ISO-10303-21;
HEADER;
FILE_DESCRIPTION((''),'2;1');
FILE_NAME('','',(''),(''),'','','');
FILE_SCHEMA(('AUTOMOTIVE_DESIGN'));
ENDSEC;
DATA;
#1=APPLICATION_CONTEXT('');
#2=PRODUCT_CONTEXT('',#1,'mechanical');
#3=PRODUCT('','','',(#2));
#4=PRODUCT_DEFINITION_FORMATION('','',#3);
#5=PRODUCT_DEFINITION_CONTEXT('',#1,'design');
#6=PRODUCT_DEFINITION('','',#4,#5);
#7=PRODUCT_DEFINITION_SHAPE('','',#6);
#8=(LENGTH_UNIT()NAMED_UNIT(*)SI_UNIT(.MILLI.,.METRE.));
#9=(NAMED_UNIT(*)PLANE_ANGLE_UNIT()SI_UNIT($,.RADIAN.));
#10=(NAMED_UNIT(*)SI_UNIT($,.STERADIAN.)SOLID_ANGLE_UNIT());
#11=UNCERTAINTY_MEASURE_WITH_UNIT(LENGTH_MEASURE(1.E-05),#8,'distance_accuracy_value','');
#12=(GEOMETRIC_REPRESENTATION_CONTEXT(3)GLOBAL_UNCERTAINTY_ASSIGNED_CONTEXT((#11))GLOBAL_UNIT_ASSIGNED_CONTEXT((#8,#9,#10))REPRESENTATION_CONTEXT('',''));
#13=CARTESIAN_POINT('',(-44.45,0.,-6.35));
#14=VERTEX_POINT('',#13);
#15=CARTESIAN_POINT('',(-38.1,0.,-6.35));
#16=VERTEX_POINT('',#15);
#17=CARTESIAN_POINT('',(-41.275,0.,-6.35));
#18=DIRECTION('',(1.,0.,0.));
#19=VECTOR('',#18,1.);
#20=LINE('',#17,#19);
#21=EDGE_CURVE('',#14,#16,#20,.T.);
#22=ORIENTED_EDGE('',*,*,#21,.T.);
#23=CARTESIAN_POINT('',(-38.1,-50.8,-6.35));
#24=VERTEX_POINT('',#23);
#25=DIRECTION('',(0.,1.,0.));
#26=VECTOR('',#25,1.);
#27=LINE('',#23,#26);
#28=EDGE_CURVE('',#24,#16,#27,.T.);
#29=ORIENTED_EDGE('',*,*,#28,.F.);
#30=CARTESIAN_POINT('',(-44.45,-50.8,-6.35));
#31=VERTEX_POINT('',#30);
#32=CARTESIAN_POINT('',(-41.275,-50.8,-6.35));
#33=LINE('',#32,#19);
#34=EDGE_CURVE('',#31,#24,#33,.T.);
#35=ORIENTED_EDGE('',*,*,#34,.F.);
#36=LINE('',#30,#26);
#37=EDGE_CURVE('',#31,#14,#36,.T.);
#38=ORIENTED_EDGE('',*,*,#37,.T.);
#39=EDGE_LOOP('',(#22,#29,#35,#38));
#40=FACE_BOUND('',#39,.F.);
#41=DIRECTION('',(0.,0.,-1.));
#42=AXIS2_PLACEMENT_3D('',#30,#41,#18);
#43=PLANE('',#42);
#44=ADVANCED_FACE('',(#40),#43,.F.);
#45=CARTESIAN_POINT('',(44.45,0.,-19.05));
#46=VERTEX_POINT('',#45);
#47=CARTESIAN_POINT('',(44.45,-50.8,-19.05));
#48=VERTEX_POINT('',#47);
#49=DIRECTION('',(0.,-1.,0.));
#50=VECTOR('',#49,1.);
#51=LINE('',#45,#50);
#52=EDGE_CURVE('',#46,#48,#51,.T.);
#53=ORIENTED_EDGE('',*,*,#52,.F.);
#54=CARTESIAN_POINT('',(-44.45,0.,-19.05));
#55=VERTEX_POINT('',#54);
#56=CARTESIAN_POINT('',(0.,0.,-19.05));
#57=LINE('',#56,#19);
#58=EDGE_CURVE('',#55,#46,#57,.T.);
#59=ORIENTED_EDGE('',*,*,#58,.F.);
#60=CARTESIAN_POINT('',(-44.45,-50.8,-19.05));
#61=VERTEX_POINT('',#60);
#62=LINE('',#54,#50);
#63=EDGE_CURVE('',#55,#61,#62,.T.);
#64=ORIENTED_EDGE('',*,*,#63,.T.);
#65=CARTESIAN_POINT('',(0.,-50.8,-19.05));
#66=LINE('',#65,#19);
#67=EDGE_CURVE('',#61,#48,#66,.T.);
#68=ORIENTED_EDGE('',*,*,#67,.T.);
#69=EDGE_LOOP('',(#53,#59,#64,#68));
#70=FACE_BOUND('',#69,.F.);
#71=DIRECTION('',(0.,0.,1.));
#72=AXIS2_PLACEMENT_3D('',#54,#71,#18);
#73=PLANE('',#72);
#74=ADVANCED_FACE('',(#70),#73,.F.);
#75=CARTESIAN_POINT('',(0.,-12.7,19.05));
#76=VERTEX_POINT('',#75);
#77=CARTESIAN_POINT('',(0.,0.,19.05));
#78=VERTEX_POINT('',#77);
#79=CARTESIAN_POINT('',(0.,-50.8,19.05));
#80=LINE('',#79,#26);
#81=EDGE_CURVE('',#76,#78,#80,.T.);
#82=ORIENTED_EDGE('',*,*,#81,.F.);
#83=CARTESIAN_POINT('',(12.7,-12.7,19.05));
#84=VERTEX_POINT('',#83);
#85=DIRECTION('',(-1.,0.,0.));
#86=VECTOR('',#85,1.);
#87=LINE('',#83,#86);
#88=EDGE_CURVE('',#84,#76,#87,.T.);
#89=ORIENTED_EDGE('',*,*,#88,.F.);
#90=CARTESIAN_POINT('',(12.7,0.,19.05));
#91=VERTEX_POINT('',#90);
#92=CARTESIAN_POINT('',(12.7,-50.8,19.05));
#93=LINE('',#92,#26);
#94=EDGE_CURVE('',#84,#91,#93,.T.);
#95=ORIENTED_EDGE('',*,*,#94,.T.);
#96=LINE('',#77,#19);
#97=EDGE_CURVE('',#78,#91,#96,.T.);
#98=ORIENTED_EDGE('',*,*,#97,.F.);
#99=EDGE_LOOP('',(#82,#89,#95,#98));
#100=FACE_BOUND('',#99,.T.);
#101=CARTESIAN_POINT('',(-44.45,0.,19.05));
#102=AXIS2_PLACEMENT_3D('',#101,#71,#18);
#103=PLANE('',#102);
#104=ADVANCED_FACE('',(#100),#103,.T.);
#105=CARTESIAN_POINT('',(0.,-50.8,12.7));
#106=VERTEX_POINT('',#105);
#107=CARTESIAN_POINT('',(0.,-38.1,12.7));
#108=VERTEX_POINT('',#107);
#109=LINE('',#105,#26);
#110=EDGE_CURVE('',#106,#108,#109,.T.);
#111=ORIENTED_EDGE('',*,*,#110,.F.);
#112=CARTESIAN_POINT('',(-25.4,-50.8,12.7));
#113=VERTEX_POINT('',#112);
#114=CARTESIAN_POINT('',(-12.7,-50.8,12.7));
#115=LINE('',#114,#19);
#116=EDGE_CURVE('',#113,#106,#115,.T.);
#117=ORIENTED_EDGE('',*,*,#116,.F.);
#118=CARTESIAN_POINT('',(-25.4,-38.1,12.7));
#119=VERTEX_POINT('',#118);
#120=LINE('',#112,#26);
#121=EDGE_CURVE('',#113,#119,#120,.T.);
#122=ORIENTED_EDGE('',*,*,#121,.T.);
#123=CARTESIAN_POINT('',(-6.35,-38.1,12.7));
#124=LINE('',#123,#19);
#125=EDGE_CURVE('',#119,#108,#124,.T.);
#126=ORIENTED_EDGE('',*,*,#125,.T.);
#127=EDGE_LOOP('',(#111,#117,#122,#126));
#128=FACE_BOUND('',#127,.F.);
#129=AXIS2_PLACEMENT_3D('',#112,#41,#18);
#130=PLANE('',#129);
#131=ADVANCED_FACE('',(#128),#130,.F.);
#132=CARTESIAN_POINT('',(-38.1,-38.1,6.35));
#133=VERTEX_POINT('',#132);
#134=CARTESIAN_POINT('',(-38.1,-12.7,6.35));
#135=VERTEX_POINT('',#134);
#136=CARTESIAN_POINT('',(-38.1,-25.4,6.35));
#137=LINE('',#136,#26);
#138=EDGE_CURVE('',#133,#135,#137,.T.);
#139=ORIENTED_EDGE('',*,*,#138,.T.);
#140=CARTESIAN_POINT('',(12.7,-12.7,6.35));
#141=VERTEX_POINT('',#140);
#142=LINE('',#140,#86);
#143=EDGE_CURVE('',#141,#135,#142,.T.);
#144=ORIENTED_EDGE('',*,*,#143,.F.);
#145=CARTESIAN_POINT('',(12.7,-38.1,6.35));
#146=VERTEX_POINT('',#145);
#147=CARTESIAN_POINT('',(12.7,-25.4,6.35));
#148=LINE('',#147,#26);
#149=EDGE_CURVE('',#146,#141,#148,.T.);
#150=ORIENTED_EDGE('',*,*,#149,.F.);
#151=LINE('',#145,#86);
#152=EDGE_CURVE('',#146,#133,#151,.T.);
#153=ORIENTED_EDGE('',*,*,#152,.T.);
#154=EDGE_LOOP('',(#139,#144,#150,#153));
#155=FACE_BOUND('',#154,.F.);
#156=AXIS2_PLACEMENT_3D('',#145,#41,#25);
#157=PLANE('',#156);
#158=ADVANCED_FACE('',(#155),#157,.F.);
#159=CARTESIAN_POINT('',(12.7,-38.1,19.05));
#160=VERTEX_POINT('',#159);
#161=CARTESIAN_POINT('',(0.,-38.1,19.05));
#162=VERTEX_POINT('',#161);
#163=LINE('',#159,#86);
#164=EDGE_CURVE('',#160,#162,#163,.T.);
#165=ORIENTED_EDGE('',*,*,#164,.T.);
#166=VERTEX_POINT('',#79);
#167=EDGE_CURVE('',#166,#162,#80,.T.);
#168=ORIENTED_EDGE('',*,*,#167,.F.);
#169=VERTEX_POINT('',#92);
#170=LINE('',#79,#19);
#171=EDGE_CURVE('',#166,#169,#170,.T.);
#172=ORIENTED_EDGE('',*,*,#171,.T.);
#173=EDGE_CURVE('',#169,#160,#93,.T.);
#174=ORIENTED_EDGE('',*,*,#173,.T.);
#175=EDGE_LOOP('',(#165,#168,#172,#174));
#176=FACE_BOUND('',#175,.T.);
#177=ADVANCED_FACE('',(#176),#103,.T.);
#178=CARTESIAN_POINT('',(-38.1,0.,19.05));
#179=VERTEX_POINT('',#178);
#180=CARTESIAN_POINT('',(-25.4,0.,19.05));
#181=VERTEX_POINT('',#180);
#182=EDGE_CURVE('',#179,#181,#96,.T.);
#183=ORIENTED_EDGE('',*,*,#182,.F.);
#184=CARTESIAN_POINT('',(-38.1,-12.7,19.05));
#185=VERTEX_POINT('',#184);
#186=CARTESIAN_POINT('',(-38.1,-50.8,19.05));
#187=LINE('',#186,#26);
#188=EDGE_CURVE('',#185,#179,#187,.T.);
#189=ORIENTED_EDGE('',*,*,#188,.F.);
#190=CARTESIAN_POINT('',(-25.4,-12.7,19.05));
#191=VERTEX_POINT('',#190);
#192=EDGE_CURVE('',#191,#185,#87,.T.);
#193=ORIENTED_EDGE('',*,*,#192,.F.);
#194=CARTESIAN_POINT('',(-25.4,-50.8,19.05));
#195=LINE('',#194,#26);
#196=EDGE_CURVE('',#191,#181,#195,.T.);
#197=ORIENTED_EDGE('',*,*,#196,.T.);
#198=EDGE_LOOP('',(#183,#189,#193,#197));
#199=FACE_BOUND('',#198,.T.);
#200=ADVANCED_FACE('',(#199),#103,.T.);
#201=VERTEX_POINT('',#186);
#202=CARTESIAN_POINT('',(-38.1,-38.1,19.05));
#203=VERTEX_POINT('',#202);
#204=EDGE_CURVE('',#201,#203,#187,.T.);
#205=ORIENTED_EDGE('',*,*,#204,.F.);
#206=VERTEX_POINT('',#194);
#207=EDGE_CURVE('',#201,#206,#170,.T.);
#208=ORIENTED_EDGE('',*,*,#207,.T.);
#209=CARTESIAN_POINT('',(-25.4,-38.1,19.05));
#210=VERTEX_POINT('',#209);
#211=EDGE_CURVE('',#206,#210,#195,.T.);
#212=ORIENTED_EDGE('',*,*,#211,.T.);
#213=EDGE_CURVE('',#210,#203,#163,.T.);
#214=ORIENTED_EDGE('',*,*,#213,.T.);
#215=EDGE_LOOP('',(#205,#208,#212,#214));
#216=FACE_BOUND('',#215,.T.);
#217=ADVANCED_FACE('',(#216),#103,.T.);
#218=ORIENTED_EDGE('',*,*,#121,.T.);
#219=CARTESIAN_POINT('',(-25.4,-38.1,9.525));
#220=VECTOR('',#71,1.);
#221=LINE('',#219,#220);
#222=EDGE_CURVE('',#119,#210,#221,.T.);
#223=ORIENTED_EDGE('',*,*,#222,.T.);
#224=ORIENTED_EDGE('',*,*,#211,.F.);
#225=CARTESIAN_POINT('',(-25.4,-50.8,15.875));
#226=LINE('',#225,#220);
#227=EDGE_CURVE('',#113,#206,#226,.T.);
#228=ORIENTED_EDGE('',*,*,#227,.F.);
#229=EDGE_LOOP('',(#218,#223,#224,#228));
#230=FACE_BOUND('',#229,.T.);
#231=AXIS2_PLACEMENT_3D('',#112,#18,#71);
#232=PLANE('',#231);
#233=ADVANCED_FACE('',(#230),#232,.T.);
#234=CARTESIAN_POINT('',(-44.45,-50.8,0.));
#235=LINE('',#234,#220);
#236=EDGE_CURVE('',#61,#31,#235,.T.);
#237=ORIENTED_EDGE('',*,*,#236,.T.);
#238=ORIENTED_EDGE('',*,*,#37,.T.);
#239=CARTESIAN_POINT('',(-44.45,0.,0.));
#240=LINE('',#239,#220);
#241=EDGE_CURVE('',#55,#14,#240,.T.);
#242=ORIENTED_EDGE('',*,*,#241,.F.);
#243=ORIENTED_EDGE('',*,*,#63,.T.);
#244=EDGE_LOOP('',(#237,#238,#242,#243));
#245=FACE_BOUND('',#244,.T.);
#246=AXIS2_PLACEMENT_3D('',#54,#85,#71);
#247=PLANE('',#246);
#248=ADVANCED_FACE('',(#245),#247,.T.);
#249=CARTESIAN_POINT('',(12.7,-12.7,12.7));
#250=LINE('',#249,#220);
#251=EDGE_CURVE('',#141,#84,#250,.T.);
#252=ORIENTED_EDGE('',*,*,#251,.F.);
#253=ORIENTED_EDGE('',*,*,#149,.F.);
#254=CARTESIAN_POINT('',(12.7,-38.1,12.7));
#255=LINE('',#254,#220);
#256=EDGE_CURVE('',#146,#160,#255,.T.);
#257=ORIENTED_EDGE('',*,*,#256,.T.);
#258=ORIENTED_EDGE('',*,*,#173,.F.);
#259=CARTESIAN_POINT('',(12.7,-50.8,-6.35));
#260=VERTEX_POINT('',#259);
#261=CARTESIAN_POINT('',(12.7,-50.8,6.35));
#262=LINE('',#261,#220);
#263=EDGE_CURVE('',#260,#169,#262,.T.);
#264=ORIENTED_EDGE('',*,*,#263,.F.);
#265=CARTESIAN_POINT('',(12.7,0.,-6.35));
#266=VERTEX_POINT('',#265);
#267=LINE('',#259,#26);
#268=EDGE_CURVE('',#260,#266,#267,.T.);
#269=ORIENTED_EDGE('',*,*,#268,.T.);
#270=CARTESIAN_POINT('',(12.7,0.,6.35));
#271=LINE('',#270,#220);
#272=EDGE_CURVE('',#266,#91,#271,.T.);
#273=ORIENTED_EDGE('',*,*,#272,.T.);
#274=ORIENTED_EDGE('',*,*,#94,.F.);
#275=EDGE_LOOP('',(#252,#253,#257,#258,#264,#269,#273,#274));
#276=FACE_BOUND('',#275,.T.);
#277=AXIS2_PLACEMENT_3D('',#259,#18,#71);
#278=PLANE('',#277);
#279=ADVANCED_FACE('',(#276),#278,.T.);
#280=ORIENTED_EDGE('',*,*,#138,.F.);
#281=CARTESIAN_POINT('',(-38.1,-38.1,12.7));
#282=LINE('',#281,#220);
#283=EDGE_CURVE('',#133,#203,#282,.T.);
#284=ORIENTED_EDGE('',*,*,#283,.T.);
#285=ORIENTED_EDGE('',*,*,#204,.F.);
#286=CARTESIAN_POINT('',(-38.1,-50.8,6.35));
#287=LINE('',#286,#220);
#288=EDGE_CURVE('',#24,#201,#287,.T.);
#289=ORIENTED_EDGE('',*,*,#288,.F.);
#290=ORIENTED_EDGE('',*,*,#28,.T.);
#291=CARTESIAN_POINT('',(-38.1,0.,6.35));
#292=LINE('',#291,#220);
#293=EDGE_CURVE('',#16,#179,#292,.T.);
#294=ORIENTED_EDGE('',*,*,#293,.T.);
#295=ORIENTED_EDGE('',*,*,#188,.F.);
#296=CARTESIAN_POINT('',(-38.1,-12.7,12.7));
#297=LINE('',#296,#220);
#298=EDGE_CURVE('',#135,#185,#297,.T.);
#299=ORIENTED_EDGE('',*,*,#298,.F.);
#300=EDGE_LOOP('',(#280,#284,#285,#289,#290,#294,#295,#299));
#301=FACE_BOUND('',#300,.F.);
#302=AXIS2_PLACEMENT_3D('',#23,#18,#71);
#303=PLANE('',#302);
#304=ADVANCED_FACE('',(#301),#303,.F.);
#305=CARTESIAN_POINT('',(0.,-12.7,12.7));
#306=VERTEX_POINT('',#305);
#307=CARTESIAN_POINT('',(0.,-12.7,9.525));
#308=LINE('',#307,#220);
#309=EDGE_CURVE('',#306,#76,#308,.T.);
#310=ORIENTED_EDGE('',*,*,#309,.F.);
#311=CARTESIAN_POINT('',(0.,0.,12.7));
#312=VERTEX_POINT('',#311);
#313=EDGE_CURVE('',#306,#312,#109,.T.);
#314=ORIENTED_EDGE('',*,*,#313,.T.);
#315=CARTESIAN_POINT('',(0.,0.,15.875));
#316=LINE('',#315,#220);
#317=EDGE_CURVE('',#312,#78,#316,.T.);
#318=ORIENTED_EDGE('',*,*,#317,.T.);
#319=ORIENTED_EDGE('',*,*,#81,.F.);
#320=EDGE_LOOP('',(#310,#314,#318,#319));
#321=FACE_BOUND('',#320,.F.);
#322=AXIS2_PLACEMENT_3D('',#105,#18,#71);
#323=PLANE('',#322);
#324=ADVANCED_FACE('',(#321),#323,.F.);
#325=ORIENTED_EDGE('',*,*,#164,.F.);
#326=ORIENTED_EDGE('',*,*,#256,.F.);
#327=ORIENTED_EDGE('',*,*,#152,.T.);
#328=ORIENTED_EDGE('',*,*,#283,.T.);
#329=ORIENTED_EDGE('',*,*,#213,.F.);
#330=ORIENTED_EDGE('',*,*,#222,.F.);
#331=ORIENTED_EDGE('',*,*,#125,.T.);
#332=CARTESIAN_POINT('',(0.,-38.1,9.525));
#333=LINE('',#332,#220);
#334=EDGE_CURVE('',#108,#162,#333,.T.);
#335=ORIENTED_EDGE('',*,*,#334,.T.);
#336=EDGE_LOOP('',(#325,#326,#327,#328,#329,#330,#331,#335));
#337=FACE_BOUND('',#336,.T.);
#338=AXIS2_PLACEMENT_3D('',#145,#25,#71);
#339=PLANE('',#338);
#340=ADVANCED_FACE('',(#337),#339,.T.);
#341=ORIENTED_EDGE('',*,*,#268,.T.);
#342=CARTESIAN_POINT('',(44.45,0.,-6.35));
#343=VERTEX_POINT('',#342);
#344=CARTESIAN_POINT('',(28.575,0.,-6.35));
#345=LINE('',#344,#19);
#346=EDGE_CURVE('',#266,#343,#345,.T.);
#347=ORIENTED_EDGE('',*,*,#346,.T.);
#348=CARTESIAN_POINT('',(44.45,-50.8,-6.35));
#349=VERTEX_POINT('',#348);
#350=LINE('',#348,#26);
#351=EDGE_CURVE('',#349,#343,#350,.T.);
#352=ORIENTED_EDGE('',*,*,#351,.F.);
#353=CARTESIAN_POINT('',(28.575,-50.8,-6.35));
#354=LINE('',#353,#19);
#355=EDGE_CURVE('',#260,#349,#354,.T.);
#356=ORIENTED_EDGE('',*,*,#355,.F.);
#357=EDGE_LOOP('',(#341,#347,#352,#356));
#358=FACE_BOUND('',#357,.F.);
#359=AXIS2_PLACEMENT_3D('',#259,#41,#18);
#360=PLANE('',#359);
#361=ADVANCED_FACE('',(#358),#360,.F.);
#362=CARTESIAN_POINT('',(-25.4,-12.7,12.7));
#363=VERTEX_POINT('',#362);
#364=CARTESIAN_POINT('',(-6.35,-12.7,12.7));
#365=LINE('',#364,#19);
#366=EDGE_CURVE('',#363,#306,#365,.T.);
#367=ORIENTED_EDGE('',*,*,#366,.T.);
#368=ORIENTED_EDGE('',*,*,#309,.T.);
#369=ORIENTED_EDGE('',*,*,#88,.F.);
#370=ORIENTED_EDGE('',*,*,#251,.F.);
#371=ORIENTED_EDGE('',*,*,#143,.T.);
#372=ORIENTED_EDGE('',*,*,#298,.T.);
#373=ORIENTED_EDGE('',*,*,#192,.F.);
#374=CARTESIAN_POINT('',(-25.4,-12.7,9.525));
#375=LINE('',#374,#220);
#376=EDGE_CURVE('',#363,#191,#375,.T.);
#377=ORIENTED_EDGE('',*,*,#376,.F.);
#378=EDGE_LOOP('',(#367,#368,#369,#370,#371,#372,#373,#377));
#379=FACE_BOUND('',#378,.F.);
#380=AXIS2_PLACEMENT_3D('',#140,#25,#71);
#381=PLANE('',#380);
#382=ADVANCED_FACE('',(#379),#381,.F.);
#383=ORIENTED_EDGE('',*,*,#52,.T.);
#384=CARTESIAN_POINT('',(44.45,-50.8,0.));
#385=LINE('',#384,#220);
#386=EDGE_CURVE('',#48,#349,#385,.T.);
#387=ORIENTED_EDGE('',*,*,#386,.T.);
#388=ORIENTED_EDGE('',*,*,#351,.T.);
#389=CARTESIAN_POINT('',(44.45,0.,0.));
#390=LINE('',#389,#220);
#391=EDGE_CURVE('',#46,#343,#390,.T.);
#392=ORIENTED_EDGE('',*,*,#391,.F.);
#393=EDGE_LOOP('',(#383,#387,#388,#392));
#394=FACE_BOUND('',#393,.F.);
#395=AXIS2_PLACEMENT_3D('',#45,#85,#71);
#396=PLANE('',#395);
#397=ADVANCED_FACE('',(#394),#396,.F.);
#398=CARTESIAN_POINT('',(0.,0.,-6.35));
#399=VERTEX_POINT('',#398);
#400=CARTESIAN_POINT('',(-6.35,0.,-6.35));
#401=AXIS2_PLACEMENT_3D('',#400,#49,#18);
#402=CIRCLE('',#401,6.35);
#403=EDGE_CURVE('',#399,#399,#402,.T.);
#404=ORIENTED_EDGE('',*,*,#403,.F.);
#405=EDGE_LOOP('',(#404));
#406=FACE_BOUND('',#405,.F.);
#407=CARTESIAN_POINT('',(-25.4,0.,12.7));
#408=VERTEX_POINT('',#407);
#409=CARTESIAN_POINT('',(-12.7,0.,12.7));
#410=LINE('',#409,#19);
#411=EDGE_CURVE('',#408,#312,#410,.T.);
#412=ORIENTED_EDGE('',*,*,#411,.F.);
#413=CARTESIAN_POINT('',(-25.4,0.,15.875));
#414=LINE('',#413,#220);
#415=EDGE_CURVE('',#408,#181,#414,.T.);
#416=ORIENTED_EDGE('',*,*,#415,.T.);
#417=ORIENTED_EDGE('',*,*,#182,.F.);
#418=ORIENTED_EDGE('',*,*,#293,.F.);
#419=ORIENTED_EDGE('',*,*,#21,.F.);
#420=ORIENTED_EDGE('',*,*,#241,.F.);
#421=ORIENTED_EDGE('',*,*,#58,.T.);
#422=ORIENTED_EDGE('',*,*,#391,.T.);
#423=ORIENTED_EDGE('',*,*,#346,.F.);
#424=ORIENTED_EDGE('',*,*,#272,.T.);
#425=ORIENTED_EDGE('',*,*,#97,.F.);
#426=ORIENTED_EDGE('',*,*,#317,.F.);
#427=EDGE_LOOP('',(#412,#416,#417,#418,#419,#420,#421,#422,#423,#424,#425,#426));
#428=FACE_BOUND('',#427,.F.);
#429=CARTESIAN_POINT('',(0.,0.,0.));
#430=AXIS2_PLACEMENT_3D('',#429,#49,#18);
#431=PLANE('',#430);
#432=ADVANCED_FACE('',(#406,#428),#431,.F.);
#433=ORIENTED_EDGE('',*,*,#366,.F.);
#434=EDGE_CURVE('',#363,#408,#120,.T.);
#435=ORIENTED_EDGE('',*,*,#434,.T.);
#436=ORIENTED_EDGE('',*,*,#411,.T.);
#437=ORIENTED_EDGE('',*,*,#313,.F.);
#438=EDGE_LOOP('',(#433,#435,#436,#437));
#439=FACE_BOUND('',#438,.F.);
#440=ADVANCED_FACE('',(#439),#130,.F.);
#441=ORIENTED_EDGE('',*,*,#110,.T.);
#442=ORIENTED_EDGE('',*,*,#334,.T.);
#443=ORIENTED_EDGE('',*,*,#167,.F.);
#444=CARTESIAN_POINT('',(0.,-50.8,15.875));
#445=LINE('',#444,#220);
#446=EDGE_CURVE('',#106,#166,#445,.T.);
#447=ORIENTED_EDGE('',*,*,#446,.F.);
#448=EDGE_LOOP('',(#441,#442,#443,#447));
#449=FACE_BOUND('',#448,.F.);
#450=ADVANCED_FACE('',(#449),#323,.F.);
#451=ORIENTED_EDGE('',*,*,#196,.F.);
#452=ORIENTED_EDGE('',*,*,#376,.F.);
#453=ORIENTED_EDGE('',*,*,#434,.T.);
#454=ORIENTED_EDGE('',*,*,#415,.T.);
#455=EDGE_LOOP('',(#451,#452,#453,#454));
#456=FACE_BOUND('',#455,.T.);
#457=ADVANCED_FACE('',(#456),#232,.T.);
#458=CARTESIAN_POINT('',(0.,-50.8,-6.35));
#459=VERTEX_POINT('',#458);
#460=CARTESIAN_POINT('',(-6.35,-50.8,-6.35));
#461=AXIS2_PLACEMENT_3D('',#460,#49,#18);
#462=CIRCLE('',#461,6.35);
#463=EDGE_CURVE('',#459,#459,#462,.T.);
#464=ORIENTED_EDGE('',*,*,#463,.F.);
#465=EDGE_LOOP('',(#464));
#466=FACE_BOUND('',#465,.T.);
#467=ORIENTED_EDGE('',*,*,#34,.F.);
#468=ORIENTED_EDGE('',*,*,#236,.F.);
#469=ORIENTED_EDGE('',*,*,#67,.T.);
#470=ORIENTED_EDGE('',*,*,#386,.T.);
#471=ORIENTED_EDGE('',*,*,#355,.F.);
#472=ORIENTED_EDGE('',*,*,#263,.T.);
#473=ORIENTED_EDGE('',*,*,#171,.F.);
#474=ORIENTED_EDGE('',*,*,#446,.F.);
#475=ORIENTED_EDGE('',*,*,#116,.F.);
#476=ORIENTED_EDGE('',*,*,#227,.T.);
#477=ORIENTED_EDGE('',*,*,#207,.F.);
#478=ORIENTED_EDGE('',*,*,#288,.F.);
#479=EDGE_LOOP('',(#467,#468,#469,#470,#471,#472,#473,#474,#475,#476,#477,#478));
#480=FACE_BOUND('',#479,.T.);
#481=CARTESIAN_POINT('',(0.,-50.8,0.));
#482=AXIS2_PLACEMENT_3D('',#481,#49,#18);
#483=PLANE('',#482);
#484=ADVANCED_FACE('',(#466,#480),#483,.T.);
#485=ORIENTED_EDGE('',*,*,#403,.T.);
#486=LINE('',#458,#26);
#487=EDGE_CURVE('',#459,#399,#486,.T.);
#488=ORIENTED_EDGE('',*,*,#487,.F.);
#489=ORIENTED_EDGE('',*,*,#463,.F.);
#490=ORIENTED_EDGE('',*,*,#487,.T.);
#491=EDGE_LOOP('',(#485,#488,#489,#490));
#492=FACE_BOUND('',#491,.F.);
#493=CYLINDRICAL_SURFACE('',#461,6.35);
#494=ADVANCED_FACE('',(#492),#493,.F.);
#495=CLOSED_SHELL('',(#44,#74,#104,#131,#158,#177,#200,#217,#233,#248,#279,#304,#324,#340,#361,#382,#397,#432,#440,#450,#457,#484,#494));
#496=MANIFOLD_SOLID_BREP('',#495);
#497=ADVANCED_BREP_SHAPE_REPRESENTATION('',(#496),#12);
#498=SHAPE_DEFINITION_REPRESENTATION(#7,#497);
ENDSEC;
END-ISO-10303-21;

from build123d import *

# Parameters (mm, degrees)
F0_W      = 88.9
F0_H      = 38.1
F1_DEPTH  = 50.8
F2_W      = 31.75
F2_H      = 25.4
F3_DEPTH  = 50.8
F4_W      = 25.4
F4_H      = 6.35
F5_DEPTH  = 50.8
F6_W      = 6.35
F6_H      = 25.4
F7_DEPTH  = 50.8
F8_W      = 25.4
F8_H      = 12.7
F9_DEPTH  = 50.8
F10_R     = 6.35
F11_DEPTH = 50.8


with BuildPart() as f1:
    # F0 (on Front) → F1 (new body)
    with BuildSketch(Plane.XZ):
        Rectangle(F0_W, F0_H)
    extrude(amount=F1_DEPTH)

    # F2 (on face) → F3 (cut)
    with BuildSketch(Plane.XZ.offset(50.8)):
        with Locations((28.575, 6.35)):
            Rectangle(F2_W, F2_H)
    extrude(amount=-F3_DEPTH, mode=Mode.SUBTRACT)

    # F4 (on face) → F5 (cut)
    with BuildSketch(Plane.XZ.offset(50.8)):
        with Locations((-12.7, 15.875)):
            Rectangle(F4_W, F4_H)
    extrude(amount=-F5_DEPTH, mode=Mode.SUBTRACT)

    # F6 (on face) → F7 (cut)
    with BuildSketch(Plane.XZ.offset(50.8)):
        with Locations((-41.275, 6.35)):
            Rectangle(F6_W, F6_H)
    extrude(amount=-F7_DEPTH, mode=Mode.SUBTRACT)

    # F8 (on face) → F9 (cut)
    with BuildSketch(Plane.YZ.offset(12.7)):
        with Locations((-25.4, 12.7)):
            Rectangle(F8_W, F8_H)
    extrude(amount=-F9_DEPTH, mode=Mode.SUBTRACT)

    # F10 (on face) → F11 (cut)
    with BuildSketch(Plane.XZ.offset(50.8)):
        with Locations((-6.35, -6.35)):
            Circle(F10_R)
    extrude(amount=-F11_DEPTH, mode=Mode.SUBTRACT)


solid = f1.part
